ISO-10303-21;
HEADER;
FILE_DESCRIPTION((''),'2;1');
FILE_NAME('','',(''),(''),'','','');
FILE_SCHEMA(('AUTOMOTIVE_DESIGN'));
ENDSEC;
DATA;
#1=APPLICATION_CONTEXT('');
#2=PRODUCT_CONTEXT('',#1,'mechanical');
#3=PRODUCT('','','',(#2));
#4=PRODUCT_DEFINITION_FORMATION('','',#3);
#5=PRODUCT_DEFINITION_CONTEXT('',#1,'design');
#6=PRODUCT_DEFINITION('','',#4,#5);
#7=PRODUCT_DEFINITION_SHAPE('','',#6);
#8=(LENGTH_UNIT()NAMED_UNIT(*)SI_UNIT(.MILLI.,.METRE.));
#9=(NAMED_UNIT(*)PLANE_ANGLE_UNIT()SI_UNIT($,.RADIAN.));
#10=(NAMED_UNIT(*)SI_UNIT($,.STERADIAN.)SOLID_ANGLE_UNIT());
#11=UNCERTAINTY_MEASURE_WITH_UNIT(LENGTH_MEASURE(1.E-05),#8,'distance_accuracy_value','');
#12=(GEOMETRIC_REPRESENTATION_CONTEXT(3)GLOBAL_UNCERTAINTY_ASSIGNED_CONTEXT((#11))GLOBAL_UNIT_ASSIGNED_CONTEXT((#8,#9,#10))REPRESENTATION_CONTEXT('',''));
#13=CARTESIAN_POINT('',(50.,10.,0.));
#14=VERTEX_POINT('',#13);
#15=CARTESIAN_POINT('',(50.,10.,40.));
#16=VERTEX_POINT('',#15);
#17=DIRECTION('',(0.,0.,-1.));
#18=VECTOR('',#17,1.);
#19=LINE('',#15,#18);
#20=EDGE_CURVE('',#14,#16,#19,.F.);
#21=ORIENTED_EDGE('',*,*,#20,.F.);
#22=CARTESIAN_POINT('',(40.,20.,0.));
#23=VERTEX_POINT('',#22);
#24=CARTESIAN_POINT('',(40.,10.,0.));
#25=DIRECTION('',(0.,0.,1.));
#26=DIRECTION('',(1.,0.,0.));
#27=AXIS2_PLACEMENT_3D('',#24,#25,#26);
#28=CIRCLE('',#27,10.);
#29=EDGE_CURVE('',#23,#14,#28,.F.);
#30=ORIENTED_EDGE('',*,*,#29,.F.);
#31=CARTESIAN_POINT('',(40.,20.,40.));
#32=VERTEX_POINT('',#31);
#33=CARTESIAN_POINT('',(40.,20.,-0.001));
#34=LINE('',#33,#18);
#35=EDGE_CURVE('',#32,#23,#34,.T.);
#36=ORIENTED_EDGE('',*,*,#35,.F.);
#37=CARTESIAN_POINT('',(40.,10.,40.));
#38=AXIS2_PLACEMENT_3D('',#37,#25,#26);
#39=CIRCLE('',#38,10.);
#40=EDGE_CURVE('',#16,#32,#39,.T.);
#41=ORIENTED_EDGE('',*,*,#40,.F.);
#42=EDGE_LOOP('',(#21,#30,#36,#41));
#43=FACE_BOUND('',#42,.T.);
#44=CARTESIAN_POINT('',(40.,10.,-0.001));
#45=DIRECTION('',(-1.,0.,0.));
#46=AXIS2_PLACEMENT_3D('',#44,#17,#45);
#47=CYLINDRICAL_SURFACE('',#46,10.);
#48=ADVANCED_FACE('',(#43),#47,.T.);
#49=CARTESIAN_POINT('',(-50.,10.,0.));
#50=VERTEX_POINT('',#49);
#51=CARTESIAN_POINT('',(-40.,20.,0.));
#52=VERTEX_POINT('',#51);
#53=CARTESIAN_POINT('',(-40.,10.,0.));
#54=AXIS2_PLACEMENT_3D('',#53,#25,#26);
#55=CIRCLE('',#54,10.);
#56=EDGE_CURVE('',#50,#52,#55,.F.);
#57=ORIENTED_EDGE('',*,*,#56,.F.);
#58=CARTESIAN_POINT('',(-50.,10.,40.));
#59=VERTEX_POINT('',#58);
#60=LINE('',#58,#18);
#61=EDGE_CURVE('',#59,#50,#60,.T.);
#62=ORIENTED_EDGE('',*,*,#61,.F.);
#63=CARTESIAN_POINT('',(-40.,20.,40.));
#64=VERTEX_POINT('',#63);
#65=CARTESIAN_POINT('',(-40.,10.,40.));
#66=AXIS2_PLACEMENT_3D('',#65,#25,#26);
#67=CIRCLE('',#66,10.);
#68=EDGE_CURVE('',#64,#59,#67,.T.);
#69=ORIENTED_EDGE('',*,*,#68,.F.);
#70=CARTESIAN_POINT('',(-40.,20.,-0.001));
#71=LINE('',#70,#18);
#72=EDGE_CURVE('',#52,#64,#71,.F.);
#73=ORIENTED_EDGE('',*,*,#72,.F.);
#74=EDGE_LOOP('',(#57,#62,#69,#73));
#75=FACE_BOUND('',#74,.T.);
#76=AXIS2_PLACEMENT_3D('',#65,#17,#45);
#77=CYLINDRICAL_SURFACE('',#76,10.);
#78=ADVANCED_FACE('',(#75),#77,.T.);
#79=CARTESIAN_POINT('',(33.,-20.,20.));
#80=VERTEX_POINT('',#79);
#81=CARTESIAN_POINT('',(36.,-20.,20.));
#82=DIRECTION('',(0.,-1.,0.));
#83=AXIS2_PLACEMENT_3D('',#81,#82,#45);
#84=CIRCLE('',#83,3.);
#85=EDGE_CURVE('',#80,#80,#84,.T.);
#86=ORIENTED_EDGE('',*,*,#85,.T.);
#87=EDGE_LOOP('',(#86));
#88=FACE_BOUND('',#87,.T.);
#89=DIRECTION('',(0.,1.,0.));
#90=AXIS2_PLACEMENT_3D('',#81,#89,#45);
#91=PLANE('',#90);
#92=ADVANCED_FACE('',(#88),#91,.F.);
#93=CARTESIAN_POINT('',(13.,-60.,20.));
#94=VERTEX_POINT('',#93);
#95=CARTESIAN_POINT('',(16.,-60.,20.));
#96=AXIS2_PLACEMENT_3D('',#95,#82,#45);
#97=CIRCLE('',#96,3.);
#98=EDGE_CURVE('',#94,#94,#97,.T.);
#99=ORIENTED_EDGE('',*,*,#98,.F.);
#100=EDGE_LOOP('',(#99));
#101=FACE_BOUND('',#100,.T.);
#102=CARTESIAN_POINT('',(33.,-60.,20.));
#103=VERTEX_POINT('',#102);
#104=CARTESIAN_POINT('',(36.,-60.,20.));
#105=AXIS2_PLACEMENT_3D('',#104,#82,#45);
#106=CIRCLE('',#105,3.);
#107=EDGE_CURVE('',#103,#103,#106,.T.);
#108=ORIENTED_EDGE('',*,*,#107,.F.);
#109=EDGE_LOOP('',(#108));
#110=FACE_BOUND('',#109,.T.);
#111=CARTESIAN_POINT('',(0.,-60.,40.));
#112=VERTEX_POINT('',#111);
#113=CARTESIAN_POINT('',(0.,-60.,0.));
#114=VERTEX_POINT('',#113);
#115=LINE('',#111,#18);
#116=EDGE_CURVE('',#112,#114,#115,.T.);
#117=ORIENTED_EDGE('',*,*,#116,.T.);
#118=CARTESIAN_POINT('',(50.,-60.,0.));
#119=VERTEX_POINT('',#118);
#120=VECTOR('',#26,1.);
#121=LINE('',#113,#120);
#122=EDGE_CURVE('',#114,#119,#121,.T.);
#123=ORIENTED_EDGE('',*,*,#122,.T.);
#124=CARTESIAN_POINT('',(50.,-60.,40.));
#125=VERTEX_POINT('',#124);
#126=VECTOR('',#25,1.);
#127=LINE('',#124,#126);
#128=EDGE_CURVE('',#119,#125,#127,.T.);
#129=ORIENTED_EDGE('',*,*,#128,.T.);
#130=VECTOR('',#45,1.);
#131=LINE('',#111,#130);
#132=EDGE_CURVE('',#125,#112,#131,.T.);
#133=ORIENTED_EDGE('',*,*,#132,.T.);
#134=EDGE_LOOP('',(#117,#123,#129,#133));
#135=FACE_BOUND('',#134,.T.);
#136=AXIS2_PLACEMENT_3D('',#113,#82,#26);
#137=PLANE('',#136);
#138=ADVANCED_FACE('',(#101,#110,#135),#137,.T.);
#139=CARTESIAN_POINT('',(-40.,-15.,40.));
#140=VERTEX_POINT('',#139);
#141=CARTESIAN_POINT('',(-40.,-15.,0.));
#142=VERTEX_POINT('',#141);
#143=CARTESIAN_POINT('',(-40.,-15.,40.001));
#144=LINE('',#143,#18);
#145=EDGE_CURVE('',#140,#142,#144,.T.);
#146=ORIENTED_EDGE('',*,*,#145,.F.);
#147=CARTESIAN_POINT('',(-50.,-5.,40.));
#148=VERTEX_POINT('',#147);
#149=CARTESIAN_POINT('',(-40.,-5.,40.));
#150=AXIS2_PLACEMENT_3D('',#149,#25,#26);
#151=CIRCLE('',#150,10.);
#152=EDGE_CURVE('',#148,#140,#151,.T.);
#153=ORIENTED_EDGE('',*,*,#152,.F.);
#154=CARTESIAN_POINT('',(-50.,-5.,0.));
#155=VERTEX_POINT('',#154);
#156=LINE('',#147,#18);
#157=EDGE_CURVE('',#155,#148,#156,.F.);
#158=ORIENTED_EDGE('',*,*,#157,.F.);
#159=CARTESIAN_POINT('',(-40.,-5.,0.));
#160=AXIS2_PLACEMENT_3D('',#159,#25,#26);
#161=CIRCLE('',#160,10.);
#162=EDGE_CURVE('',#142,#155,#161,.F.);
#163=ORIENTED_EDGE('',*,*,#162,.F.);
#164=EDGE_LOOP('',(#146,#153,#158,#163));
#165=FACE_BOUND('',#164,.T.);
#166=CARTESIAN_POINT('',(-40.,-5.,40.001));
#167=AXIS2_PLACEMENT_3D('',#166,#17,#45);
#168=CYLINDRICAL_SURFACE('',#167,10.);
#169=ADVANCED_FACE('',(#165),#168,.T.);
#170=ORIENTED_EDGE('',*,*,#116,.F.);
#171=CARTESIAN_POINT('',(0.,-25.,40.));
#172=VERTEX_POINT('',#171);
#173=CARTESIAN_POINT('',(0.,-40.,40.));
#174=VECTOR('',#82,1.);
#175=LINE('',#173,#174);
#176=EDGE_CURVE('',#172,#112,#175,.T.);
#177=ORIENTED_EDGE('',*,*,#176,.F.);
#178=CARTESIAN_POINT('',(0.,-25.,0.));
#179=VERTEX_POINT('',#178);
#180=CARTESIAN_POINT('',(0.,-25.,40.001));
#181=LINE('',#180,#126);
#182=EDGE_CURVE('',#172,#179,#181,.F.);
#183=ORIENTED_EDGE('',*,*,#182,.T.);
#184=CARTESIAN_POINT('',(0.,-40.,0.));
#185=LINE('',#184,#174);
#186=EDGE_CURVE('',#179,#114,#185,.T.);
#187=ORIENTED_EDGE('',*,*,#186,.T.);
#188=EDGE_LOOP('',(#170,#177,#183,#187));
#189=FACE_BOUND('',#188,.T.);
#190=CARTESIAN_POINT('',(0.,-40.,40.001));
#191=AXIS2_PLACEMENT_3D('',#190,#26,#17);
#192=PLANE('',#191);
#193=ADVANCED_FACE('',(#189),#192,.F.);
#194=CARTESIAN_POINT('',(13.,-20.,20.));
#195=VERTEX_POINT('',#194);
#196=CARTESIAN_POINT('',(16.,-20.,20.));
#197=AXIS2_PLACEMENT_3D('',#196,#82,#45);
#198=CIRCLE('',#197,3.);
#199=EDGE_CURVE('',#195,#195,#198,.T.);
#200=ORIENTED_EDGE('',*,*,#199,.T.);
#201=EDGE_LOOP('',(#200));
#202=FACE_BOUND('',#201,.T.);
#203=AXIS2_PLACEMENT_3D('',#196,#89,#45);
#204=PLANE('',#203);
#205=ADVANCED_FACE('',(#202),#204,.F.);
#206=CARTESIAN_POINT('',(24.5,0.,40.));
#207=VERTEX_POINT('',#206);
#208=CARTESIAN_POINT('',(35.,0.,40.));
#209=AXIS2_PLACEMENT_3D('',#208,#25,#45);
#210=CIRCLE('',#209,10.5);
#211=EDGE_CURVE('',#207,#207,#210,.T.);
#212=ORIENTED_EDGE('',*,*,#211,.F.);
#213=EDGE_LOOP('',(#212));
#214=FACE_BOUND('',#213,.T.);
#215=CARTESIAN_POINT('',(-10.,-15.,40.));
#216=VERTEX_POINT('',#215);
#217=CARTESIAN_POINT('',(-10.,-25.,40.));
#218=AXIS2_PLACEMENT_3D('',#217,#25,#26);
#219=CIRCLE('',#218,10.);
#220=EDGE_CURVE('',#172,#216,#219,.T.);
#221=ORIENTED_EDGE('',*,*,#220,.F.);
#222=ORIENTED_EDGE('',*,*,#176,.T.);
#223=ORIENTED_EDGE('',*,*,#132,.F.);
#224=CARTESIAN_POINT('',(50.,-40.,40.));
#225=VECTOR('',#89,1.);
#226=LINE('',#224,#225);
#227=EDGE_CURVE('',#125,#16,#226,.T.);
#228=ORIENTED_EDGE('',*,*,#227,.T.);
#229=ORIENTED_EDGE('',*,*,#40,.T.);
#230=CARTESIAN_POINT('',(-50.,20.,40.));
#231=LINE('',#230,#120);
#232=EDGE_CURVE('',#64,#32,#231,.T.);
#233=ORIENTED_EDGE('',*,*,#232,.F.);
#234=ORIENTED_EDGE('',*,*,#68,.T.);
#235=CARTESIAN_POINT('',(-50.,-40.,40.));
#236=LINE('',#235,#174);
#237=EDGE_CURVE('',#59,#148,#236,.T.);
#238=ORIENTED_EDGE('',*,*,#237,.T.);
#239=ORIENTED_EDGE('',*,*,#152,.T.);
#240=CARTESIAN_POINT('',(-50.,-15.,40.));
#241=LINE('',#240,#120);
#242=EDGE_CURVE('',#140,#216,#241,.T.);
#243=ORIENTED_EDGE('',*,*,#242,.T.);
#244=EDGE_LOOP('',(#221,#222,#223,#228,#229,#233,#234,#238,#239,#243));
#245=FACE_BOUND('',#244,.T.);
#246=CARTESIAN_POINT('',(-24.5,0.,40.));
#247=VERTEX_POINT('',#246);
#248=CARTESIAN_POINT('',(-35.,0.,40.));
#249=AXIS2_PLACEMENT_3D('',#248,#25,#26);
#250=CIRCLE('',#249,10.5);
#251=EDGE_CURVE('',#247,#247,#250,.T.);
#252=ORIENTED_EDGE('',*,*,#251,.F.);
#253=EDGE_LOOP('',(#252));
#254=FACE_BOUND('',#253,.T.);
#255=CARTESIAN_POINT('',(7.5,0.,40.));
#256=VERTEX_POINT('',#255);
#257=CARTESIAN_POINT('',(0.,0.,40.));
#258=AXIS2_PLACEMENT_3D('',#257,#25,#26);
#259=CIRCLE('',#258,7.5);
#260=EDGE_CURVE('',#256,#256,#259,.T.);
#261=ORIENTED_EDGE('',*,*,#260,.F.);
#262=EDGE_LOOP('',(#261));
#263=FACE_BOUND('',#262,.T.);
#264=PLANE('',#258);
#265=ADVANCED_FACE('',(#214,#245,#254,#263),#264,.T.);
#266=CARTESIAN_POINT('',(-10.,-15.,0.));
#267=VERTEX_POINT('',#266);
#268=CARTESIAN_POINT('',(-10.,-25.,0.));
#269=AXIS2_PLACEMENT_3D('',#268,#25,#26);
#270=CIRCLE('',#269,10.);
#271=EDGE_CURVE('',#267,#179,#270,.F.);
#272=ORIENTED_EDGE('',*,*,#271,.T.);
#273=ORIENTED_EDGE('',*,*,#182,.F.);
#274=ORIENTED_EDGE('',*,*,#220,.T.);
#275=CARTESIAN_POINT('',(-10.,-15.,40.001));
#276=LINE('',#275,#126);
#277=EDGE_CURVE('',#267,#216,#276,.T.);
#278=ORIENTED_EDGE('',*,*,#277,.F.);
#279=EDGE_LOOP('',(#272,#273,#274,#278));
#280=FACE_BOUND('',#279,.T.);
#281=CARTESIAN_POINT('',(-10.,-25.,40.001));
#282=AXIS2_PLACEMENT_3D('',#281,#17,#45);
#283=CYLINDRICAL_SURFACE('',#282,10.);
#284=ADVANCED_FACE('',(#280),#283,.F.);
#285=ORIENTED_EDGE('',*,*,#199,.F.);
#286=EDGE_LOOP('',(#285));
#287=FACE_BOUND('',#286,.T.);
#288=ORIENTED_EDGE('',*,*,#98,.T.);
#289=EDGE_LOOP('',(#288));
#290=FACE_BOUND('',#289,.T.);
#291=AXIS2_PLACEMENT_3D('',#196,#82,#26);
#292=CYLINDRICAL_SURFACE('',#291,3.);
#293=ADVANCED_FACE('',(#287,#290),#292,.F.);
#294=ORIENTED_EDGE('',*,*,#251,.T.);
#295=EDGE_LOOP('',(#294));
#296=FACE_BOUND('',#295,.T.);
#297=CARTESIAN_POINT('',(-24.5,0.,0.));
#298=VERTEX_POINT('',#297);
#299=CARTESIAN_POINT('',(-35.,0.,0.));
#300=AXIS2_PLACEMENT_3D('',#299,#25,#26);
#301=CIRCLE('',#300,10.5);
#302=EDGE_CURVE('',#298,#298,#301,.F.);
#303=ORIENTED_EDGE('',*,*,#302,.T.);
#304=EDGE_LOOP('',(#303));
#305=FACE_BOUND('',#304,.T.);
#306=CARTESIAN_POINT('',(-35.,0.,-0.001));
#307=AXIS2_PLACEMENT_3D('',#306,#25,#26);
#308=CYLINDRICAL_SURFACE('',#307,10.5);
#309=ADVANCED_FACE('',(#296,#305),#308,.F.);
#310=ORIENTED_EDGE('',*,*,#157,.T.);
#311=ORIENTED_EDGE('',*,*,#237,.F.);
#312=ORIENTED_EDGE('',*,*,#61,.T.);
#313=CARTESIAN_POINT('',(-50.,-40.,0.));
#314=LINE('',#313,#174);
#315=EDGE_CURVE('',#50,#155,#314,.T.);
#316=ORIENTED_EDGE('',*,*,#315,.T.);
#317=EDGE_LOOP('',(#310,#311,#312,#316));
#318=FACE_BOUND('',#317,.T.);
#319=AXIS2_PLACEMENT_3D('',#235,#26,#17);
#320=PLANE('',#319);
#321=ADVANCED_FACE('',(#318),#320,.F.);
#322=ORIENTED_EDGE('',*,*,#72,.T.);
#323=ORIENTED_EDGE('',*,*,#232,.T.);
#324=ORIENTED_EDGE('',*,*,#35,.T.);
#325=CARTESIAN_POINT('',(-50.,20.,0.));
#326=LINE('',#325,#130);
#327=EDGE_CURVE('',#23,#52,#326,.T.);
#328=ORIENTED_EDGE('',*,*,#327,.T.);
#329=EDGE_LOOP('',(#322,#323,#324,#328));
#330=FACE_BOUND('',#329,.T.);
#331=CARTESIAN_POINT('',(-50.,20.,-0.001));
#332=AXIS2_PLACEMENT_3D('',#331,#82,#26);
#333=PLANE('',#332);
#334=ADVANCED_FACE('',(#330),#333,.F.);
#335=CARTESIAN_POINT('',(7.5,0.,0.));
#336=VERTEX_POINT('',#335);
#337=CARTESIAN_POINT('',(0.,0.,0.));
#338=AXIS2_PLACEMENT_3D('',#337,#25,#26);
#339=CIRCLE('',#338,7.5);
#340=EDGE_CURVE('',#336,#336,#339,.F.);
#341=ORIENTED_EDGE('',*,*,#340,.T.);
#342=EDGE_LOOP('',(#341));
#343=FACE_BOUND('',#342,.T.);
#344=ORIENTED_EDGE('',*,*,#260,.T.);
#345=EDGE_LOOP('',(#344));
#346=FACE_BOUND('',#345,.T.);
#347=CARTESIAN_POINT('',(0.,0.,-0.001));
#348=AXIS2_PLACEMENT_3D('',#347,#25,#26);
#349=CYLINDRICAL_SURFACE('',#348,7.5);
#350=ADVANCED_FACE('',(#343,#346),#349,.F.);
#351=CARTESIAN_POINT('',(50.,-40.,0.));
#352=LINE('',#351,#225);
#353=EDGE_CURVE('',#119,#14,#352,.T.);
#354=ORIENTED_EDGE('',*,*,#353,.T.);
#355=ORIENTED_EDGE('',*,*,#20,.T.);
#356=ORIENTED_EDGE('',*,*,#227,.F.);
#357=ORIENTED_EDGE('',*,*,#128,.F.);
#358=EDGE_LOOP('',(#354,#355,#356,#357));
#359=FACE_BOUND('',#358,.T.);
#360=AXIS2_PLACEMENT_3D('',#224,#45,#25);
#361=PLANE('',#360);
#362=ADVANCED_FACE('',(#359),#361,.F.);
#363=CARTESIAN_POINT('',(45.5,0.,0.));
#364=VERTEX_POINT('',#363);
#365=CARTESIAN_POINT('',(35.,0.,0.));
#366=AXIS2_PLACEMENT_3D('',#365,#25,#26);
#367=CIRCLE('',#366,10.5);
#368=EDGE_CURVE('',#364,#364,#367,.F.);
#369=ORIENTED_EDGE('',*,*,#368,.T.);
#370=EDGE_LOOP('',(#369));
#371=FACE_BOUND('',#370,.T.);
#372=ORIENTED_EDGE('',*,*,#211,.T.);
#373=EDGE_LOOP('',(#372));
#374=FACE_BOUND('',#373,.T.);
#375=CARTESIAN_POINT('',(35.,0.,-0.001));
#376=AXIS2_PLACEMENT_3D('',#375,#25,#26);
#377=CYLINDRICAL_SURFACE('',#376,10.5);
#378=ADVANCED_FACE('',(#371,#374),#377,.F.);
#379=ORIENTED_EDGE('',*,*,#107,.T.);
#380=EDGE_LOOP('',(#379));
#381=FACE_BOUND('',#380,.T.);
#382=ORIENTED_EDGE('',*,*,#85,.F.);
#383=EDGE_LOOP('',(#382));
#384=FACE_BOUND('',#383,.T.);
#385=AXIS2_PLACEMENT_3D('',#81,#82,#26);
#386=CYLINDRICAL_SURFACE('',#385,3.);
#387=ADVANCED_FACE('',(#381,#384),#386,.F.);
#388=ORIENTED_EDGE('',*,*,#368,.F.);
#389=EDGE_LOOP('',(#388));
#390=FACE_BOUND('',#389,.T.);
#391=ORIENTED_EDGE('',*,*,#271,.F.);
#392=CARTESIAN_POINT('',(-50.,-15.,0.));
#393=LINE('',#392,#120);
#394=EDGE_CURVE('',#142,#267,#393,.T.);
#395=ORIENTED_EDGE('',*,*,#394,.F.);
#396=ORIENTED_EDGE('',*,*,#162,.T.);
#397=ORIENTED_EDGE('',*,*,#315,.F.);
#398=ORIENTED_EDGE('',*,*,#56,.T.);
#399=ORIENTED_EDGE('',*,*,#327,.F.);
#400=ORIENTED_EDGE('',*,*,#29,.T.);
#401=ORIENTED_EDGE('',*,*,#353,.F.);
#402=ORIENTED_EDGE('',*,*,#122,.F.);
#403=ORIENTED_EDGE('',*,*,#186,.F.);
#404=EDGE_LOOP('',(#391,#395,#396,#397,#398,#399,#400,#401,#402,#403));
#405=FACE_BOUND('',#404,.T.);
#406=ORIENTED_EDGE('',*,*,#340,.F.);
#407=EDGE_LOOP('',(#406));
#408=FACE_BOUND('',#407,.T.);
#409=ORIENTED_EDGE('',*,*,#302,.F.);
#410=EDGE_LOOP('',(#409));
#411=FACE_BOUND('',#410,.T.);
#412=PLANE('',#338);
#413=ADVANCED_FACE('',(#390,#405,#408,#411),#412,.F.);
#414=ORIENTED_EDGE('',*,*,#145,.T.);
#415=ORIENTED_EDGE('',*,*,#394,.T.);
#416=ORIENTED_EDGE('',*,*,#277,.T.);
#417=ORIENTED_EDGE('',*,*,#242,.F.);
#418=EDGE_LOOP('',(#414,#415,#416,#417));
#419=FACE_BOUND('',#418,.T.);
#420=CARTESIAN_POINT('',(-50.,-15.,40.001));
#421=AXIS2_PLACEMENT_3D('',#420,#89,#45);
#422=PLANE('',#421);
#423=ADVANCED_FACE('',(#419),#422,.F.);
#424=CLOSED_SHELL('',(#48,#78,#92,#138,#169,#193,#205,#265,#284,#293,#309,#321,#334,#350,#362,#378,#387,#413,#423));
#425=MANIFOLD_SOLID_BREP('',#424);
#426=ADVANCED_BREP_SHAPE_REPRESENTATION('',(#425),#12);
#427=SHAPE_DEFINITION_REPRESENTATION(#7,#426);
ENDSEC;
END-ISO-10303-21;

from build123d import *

# Parameters (mm, degrees)
SKETCH1_W           = 100
SKETCH1_H           = 80
BOSS_EXTRUDE1_DEPTH = 40
CUT_EXTRUDE1_REACH  = 77.498
SKETCH2_R           = 7.5
SKETCH2_R_2         = 10.5
CUT_EXTRUDE2_REACH  = 77.498
SKETCH3_W           = 100
SKETCH3_H           = 20
CUT_EXTRUDE4_REACH  = 77.498
SKETCH5_W           = 50
SKETCH5_H           = 25
FILLET1_R           = 10
FILLET2_R           = 10
FILLET3_R           = 10
FILLET4_R           = 10
SKETCH6_W           = 50
SKETCH6_H           = 40
BOSS_EXTRUDE2_DEPTH = 20
SKETCH4_R           = 3
CUT_EXTRUDE5_DEPTH  = 20


with BuildPart() as part:
    # Sketch1 → Boss-Extrude1 (new body)
    with BuildSketch(Plane.XY):
        Rectangle(SKETCH1_W, SKETCH1_H)
    extrude(amount=BOSS_EXTRUDE1_DEPTH)

    # Sketch2 → Cut-Extrude1 (cut, up to next)
    with BuildSketch(Plane.XY.offset(40), mode=Mode.PRIVATE) as cut_extrude1_sk1:
        Circle(SKETCH2_R)
    cut_extrude1_tool1 = extrude(cut_extrude1_sk1.sketch, amount=-CUT_EXTRUDE1_REACH, mode=Mode.PRIVATE) & part.part
    # Sketch2 → Cut-Extrude1 (cut, up to next)
    with BuildSketch(Plane.XY.offset(40), mode=Mode.PRIVATE) as cut_extrude1_sk2:
        with Locations((-35, 0)):
            Circle(SKETCH2_R_2)
    cut_extrude1_tool2 = extrude(cut_extrude1_sk2.sketch, amount=-CUT_EXTRUDE1_REACH, mode=Mode.PRIVATE) & part.part
    # Sketch2 → Cut-Extrude1 (cut, up to next)
    with BuildSketch(Plane.XY.offset(40), mode=Mode.PRIVATE) as cut_extrude1_sk3:
        with Locations((35, 0)):
            Circle(SKETCH2_R_2)
    cut_extrude1_tool3 = extrude(cut_extrude1_sk3.sketch, amount=-CUT_EXTRUDE1_REACH, mode=Mode.PRIVATE) & part.part
    add(cut_extrude1_tool1.solids().sort_by_distance((0, 0, 40))[0], mode=Mode.SUBTRACT)
    add(cut_extrude1_tool2.solids().sort_by_distance((-35, 0, 40))[0], mode=Mode.SUBTRACT)
    add(cut_extrude1_tool3.solids().sort_by_distance((35, 0, 40))[0], mode=Mode.SUBTRACT)

    # Sketch3 → Cut-Extrude2 (cut, up to next)
    with BuildSketch(Plane.XY.offset(40), mode=Mode.PRIVATE) as cut_extrude2_sk1:
        with Locations((0, 30)):
            Rectangle(SKETCH3_W, SKETCH3_H)
    cut_extrude2_tool1 = extrude(cut_extrude2_sk1.sketch, amount=-CUT_EXTRUDE2_REACH, mode=Mode.PRIVATE) & part.part
    add(cut_extrude2_tool1.solids().sort_by_distance((0, 30, 40))[0], mode=Mode.SUBTRACT)

    # Sketch5 → Cut-Extrude4 (cut, up to next)
    with BuildSketch(Plane(origin=(0, 0, 0), x_dir=(-1, 0, 0), z_dir=(0, 0, -1)), mode=Mode.PRIVATE) as cut_extrude4_sk1:
        with Locations((25, -27.5)):
            Rectangle(SKETCH5_W, SKETCH5_H)
    cut_extrude4_tool1 = extrude(cut_extrude4_sk1.sketch, amount=-CUT_EXTRUDE4_REACH, mode=Mode.PRIVATE) & part.part
    add(cut_extrude4_tool1.solids().sort_by_distance((-25, -27.5, 0))[0], mode=Mode.SUBTRACT)

    # Fillet1
    fillet1_edges = [part.edges().sort_by_distance(p)[0] for p in [
        (0, -15, 20),
    ]]
    fillet(fillet1_edges, radius=FILLET1_R)

    # Fillet2
    fillet2_edges = [part.edges().sort_by_distance(p)[0] for p in [
        (-50, -15, 20),
    ]]
    fillet(fillet2_edges, radius=FILLET2_R)

    # Fillet3
    fillet3_edges = [part.edges().sort_by_distance(p)[0] for p in [
        (-50, 20, 20),
    ]]
    fillet(fillet3_edges, radius=FILLET3_R)

    # Fillet4
    fillet4_edges = [part.edges().sort_by_distance(p)[0] for p in [
        (50, 20, 20),
    ]]
    fillet(fillet4_edges, radius=FILLET4_R)

    # Sketch6 → Boss-Extrude2 (add)
    with BuildSketch(Plane.XZ.offset(40)):
        with Locations((25, 20)):
            Rectangle(SKETCH6_W, SKETCH6_H)
    extrude(amount=BOSS_EXTRUDE2_DEPTH)

    # Sketch4 → Cut-Extrude5 (cut, symmetric)
    with BuildSketch(Plane.XZ.offset(40)):
        with Locations(Location((16, 20, 0), (0, 0, 180))):
            Circle(SKETCH4_R)
        with Locations(Location((36, 20, 0), (0, 0, 180))):
            Circle(SKETCH4_R)
    extrude(amount=CUT_EXTRUDE5_DEPTH, both=True, mode=Mode.SUBTRACT)


solid = part.part
